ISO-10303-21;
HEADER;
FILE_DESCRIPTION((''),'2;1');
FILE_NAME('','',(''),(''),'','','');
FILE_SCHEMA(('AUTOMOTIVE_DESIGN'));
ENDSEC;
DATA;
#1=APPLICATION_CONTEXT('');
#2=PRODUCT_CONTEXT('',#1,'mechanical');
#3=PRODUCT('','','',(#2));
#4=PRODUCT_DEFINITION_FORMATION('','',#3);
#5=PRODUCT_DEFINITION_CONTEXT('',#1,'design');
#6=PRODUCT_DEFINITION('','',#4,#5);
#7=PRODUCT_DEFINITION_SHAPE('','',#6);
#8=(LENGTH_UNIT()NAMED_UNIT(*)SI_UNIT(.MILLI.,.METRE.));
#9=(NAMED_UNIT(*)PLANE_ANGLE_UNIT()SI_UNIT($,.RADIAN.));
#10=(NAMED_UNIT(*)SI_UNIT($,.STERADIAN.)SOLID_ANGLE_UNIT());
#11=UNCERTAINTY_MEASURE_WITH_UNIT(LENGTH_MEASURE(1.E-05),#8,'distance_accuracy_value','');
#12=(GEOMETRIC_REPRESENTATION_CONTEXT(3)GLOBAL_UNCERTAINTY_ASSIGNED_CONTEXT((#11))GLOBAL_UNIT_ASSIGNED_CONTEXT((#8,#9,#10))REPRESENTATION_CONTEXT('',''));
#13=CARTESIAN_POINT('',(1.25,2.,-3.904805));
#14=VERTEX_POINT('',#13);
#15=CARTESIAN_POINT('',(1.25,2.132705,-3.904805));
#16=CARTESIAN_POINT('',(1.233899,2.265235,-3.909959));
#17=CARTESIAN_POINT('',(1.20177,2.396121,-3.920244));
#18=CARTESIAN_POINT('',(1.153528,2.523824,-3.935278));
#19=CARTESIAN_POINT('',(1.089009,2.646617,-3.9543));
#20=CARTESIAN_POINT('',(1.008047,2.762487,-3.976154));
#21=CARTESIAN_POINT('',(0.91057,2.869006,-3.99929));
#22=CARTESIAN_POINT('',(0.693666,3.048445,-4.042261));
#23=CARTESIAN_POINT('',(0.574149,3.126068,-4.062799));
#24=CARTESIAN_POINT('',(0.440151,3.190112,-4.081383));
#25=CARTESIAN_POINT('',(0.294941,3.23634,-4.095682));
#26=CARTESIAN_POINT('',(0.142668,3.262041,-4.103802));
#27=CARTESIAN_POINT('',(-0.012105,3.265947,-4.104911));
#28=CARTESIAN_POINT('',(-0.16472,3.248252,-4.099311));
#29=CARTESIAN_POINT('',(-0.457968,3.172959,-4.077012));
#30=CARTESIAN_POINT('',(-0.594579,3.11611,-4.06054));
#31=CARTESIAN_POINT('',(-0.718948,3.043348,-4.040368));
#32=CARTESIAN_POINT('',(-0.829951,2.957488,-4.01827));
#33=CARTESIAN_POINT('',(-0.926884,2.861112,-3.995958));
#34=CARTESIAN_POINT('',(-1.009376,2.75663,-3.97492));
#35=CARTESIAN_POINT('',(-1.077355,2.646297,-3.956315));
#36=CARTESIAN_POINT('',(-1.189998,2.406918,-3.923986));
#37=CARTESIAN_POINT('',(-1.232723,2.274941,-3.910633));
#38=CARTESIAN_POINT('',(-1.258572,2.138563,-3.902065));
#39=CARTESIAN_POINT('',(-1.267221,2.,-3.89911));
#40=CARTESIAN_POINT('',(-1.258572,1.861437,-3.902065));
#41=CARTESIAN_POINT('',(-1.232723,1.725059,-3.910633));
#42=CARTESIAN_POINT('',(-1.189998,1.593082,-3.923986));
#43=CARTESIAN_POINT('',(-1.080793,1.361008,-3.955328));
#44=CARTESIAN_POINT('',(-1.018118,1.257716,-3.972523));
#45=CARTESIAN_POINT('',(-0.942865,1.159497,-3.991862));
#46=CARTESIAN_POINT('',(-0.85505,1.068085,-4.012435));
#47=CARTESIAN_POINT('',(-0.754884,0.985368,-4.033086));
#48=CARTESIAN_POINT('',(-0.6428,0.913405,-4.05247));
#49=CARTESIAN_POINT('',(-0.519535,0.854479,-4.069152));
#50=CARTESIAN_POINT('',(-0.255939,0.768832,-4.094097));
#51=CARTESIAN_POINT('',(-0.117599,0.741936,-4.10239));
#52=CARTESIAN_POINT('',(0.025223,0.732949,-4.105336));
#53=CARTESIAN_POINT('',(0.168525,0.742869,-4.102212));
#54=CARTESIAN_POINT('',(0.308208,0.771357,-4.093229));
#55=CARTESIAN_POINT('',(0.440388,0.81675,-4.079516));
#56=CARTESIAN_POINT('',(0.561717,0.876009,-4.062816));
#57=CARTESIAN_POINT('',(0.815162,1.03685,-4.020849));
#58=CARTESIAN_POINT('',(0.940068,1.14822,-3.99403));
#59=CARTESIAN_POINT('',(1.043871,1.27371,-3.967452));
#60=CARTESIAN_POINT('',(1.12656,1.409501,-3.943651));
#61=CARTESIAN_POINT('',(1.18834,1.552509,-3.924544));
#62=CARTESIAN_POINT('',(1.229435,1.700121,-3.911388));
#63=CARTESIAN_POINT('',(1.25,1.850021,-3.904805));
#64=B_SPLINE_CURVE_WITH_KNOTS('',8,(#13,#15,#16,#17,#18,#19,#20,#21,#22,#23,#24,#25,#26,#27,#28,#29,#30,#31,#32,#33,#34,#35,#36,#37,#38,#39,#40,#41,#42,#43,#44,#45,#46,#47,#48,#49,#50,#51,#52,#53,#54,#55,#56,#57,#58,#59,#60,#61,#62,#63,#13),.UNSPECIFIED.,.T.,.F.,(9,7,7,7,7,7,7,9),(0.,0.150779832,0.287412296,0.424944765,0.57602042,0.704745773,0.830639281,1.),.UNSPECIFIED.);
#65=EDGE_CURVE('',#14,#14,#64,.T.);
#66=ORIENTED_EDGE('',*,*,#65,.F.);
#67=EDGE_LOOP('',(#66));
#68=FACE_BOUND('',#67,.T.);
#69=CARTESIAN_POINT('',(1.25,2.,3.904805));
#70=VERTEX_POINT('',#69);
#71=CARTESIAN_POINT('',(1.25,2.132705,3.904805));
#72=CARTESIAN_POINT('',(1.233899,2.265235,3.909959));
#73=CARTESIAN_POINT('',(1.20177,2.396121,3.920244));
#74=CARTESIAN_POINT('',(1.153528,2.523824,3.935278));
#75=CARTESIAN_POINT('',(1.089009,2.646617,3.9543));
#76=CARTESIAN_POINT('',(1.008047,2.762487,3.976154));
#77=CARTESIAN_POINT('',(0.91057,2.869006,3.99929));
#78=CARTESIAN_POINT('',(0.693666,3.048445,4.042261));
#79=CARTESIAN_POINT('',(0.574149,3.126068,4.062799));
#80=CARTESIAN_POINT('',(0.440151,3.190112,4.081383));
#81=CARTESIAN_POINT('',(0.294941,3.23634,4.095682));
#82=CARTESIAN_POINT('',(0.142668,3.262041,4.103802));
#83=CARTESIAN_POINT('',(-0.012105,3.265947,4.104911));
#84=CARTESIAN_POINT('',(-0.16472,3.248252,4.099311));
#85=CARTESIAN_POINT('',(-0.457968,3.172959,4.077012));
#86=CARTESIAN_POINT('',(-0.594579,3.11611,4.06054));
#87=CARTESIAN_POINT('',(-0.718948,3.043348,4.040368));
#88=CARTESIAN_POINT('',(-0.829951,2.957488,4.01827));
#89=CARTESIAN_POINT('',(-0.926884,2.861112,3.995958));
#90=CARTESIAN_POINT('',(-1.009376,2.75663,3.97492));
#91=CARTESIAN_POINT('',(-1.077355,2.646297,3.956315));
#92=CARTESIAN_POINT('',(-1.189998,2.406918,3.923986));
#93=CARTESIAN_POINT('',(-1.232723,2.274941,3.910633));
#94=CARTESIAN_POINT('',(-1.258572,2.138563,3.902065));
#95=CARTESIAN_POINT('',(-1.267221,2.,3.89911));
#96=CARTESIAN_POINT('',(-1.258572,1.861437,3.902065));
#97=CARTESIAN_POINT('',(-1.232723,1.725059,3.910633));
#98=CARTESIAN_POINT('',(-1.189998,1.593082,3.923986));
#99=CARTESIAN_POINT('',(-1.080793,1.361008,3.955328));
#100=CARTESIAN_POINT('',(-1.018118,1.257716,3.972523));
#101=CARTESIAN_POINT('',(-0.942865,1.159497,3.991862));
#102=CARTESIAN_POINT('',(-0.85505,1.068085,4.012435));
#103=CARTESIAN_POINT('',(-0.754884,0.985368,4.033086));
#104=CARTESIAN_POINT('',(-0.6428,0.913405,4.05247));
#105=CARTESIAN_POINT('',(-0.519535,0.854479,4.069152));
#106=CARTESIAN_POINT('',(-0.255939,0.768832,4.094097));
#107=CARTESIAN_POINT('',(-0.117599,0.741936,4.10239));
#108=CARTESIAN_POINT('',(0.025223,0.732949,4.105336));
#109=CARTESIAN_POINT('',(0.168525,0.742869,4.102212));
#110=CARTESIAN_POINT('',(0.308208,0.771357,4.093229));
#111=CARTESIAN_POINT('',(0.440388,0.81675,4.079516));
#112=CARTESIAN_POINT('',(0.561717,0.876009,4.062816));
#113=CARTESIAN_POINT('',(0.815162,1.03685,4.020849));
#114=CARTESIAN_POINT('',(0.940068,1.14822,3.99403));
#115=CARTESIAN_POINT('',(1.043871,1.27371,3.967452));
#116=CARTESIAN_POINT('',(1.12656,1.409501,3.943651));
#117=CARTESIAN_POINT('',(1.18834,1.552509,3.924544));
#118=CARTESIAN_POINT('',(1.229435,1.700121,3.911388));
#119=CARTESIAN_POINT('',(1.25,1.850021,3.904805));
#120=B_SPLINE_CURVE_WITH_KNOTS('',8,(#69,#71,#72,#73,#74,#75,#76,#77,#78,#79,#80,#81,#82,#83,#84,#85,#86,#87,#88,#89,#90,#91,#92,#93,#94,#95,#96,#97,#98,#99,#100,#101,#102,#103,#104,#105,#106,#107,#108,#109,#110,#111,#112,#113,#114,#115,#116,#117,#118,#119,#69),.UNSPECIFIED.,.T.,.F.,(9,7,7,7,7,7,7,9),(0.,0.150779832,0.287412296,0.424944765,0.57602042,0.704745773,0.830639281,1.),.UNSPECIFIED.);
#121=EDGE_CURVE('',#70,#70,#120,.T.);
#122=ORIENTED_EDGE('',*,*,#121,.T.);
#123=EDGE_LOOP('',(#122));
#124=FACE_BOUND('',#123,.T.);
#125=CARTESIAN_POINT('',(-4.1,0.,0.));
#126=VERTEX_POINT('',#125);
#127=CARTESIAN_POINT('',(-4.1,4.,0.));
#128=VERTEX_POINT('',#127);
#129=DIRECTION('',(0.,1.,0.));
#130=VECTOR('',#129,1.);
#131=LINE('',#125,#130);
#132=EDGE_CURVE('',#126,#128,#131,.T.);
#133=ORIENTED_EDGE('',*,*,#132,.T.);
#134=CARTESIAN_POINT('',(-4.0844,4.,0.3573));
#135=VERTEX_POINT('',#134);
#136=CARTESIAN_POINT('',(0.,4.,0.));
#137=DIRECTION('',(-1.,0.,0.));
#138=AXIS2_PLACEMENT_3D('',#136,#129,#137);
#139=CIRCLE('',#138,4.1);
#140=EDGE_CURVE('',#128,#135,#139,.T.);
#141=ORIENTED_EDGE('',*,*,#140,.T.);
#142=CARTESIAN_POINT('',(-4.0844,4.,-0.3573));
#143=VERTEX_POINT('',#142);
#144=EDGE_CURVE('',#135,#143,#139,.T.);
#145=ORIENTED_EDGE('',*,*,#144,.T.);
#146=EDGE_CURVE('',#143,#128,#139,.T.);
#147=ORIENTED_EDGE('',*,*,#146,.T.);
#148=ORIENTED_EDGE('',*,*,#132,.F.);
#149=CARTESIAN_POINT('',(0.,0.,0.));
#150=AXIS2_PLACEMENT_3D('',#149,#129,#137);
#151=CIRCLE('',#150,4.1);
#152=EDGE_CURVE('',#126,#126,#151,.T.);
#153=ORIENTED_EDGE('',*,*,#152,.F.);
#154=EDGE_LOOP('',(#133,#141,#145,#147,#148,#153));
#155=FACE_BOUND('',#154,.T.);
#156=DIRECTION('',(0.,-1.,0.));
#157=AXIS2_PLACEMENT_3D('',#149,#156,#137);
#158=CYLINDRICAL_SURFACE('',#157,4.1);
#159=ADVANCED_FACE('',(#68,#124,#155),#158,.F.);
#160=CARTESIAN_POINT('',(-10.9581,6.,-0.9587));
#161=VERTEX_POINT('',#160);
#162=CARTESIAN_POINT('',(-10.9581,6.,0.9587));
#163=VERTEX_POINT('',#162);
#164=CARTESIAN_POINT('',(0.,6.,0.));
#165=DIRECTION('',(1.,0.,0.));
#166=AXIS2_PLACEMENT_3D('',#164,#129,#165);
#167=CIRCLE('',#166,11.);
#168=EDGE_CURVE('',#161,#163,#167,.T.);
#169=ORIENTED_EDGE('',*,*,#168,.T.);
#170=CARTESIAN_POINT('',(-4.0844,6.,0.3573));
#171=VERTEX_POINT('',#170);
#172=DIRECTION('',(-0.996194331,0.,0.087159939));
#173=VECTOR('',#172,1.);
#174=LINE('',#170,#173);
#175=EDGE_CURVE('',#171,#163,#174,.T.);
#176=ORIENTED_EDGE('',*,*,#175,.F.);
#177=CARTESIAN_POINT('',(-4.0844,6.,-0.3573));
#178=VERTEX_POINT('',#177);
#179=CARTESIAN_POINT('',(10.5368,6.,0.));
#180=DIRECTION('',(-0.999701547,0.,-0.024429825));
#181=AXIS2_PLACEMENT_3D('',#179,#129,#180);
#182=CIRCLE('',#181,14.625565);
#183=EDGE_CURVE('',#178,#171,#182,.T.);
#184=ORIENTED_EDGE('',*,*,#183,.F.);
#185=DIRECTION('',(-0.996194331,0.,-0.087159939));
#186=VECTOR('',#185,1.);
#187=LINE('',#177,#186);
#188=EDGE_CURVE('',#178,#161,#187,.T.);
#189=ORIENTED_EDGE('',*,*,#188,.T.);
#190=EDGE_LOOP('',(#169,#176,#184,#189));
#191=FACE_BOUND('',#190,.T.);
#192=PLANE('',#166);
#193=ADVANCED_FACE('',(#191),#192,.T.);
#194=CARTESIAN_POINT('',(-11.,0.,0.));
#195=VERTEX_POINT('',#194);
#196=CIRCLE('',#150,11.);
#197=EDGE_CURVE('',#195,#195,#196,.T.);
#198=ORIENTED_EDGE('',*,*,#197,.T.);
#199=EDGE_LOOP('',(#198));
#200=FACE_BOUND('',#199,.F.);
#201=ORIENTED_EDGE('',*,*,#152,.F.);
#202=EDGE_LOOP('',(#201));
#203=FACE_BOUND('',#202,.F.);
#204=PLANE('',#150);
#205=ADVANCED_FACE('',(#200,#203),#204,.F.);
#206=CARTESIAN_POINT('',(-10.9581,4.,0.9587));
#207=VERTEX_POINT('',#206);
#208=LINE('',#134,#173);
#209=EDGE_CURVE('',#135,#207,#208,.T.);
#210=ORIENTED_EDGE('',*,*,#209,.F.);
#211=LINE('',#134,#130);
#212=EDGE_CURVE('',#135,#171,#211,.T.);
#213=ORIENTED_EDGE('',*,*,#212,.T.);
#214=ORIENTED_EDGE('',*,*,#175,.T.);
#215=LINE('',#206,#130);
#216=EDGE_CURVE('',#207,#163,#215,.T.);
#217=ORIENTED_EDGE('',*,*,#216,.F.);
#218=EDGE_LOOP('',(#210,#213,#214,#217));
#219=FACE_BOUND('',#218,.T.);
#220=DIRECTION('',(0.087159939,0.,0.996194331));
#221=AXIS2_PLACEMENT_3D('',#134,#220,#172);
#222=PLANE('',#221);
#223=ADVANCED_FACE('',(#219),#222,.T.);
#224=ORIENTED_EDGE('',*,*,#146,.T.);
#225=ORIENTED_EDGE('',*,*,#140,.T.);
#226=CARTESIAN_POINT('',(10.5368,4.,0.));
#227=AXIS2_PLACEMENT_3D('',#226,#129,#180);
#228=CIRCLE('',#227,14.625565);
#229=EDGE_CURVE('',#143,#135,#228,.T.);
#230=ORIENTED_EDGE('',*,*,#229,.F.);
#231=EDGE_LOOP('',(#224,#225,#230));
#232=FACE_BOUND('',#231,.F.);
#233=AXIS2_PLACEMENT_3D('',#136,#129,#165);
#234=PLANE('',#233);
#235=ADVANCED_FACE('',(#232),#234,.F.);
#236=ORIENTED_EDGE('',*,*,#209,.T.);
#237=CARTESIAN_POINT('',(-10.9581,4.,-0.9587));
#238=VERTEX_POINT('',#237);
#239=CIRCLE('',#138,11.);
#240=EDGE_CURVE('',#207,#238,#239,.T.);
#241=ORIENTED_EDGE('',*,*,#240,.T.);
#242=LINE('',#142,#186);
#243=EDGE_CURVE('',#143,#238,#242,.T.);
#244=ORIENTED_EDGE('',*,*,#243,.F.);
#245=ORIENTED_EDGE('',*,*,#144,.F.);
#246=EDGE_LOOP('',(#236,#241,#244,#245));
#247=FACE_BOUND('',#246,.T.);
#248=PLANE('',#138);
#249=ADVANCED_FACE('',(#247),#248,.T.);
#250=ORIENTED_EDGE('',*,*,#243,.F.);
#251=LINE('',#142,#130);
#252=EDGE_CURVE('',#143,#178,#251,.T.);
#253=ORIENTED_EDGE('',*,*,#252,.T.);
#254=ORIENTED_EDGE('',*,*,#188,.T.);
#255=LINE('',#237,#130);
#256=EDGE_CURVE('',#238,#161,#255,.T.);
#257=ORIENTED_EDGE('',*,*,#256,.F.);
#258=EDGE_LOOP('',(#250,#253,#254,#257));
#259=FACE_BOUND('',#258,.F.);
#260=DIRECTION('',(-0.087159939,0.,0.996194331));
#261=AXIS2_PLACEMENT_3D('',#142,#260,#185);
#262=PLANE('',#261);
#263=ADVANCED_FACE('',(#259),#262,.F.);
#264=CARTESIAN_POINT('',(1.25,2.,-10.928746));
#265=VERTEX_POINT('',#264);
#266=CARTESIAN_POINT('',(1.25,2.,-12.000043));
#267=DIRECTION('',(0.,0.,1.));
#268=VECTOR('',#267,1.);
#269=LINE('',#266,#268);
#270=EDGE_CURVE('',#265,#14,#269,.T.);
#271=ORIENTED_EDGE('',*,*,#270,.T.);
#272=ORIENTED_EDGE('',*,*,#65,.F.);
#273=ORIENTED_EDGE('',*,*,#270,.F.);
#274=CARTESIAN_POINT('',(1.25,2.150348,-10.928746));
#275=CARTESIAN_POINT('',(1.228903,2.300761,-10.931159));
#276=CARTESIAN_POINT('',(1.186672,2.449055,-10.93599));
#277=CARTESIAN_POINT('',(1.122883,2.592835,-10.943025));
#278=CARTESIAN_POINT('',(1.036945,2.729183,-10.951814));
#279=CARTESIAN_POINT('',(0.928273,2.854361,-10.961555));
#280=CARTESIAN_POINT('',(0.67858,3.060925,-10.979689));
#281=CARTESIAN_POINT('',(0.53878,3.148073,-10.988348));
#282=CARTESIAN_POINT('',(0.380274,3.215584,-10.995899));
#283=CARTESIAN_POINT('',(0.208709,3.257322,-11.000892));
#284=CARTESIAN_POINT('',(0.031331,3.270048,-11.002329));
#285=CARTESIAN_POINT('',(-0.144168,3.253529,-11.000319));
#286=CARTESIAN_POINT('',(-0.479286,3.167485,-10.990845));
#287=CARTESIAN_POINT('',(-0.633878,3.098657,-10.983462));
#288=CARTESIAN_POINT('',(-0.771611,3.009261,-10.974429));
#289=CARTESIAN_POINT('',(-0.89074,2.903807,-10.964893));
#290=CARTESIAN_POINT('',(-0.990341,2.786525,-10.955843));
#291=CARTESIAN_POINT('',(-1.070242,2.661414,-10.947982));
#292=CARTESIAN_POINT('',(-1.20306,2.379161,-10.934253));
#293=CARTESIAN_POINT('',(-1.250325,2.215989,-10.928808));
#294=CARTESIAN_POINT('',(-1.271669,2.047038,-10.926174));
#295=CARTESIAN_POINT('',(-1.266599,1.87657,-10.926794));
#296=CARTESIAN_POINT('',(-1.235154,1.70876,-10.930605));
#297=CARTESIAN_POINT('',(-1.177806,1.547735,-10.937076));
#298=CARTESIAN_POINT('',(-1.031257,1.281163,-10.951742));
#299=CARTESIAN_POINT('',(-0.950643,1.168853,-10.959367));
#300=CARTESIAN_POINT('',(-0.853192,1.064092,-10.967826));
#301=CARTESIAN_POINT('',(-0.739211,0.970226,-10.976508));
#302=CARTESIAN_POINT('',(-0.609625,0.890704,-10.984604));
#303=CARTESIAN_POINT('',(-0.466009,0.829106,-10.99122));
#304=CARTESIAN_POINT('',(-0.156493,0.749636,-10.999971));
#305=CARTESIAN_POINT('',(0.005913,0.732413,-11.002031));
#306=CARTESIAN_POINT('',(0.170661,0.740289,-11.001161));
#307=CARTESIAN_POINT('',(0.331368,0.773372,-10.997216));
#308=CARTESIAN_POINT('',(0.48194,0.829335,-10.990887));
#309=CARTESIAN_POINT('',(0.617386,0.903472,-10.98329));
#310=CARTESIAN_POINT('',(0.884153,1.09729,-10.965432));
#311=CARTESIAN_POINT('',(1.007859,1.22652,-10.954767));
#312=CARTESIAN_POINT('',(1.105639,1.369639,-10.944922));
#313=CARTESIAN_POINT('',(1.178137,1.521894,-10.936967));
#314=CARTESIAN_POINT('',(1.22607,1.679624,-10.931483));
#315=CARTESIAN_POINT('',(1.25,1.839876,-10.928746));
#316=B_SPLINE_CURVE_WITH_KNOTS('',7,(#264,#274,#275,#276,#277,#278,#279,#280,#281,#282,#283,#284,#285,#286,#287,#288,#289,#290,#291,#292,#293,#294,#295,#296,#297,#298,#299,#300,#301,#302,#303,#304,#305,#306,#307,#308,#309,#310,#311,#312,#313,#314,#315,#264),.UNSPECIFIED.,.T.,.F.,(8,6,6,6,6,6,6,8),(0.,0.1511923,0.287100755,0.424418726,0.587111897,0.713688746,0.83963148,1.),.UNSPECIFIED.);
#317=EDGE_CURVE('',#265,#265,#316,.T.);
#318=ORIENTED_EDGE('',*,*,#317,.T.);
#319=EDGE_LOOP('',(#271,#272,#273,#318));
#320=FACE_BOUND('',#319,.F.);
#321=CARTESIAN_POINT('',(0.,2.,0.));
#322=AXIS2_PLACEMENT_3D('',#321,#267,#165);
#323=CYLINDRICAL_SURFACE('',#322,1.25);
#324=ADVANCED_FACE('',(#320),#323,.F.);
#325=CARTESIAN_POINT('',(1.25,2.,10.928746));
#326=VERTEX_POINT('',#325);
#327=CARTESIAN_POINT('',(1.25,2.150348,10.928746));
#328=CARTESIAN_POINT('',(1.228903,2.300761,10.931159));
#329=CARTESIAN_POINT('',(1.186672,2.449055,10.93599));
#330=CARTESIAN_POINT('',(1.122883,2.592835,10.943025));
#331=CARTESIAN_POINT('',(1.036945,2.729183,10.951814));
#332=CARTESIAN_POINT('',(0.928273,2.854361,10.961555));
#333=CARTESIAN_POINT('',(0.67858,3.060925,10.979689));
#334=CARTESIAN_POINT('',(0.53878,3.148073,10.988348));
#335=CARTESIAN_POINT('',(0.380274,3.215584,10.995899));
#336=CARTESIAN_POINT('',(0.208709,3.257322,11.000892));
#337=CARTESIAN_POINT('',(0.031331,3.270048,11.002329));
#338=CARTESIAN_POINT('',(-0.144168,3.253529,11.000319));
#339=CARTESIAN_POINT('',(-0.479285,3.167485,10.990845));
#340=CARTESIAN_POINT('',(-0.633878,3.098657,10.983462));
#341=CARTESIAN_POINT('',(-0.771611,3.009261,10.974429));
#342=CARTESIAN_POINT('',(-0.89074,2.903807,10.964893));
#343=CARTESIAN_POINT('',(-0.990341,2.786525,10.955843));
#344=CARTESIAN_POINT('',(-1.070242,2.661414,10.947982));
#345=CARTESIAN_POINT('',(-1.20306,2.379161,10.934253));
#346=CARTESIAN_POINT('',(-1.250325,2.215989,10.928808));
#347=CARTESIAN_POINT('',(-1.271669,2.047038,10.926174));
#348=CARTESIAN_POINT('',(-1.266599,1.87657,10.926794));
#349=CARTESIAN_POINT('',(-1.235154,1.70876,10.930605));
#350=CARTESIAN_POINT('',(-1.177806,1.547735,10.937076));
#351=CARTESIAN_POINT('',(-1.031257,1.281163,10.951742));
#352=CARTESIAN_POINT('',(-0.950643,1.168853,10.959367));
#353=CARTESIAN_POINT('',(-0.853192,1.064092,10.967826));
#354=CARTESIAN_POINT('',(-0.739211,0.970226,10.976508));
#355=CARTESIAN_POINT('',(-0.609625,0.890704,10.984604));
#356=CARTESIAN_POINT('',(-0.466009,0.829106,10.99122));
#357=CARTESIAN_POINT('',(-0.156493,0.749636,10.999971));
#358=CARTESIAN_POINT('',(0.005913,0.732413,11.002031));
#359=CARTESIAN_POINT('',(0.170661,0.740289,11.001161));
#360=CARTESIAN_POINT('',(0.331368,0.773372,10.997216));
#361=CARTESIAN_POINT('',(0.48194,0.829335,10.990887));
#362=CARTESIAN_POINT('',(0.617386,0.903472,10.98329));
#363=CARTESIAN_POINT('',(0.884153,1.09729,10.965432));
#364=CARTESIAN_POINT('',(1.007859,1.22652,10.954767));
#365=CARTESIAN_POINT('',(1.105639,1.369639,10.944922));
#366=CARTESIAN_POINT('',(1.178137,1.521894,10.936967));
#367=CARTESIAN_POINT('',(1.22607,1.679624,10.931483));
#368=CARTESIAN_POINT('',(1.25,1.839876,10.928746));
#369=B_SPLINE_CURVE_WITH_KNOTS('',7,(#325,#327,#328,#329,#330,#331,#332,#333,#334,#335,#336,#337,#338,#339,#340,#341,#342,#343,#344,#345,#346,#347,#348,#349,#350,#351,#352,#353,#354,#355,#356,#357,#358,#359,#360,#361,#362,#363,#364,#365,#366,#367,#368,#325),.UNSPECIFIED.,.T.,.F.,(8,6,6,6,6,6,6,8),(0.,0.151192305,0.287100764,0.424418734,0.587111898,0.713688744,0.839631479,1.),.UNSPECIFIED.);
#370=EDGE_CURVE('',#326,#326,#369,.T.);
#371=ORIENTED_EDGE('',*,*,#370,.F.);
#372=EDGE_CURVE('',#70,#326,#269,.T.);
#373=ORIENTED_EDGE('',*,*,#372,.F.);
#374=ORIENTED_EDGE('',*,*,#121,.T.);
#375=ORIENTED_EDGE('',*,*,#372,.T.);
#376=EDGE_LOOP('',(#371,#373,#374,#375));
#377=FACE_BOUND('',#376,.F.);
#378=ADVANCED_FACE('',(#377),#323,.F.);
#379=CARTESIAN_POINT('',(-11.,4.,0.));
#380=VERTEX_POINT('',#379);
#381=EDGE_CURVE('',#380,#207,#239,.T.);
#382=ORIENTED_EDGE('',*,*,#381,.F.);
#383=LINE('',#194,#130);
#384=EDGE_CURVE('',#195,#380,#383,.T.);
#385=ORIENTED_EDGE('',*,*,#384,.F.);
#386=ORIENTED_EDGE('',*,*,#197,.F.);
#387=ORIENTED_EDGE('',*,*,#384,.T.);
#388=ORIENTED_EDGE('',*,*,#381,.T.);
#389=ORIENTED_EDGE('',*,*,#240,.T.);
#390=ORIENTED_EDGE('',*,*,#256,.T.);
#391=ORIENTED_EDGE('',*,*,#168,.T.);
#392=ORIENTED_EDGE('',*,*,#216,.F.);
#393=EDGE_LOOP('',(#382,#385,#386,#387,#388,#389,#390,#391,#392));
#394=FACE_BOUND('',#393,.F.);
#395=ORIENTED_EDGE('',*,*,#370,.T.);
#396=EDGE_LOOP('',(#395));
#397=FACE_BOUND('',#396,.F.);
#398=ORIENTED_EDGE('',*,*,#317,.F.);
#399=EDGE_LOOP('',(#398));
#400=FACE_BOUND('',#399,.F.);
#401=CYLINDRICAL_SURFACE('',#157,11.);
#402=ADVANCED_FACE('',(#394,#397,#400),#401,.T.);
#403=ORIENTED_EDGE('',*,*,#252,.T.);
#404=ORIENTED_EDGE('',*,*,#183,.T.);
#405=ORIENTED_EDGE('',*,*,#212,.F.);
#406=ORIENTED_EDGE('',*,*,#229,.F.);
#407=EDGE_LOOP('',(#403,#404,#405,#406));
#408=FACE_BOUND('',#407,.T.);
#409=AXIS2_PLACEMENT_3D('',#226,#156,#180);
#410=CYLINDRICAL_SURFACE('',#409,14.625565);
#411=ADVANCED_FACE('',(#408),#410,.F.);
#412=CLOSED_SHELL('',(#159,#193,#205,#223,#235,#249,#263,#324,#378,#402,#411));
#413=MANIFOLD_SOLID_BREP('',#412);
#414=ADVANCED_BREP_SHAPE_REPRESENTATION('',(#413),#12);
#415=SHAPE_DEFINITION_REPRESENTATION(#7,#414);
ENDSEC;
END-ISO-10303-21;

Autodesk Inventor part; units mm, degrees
ref_plane "YZ Plane" through (0, 0, 0) normal (1, 0, 0) x (0, 1, 0)
ref_plane "XZ Plane" through (0, 0, 0) normal (0, 1, 0) x (-1, 0, 0)
ref_plane "XY Plane" through (0, 0, 0) normal (0, 0, 1) x (1, 0, 0)
sketch "Sketch1" plane through (0, 0, 0) normal (0, 1, 0) x (-1, 0, 0)
  circle A0 centre (0, 0) radius 4.1
  circle A1 centre (0, 0) radius 11
  dimension "d0" = 8.2
  dimension "d1" = 22
extrude "Extrusion1" add sketch "Sketch1" along normal blind 4
sketch "Sketch2" plane through (0, 4, 0) normal (0, 1, 0) x (1, 0, 0)
  line L0 (0, 0) -> (-8.1688, -0.7147) construction
  line L1 (0, 0) -> (-8.1688, 0.7147) construction
  arc A0 (-4.0844, 0.3573) -> (-4.0844, -0.3573) centre (10.5368, 0) ccw
  line L2 (-4.0844, 0.3573) -> (-10.9581, 0.9587)
  line L3 (-15.4, 0) -> (15.4, 0) construction
  circle A1 centre (0, 0) radius 4.1 construction
  circle A2 centre (0, 0) radius 11 construction
  line L4 (-4.0844, -0.3573) -> (-10.9581, -0.9587)
  circle A3 centre (0, 0) radius 11 projected
  dimension "d4" = 10
extrude "Extrusion2" add sketch "Sketch2" along normal blind 2 contours A0 L4 A3 L2 picked at (-8.693, 0.0397)
sketch "Sketch3" plane through (0, 0, 0) normal (0, 0, 1) x (1, 0, 0)
  circle A0 centre (0, 2) radius 1.25
  line L0 (11, 0) -> (-11, 0) projected
  point P0 (0, 0)
  dimension "d7" = 2.5
  dimension "d8" = 2
extrude "Extrusion3" cut sketch "Sketch3" against normal through all both and the other way through all
properties part number "10d_coupler"
